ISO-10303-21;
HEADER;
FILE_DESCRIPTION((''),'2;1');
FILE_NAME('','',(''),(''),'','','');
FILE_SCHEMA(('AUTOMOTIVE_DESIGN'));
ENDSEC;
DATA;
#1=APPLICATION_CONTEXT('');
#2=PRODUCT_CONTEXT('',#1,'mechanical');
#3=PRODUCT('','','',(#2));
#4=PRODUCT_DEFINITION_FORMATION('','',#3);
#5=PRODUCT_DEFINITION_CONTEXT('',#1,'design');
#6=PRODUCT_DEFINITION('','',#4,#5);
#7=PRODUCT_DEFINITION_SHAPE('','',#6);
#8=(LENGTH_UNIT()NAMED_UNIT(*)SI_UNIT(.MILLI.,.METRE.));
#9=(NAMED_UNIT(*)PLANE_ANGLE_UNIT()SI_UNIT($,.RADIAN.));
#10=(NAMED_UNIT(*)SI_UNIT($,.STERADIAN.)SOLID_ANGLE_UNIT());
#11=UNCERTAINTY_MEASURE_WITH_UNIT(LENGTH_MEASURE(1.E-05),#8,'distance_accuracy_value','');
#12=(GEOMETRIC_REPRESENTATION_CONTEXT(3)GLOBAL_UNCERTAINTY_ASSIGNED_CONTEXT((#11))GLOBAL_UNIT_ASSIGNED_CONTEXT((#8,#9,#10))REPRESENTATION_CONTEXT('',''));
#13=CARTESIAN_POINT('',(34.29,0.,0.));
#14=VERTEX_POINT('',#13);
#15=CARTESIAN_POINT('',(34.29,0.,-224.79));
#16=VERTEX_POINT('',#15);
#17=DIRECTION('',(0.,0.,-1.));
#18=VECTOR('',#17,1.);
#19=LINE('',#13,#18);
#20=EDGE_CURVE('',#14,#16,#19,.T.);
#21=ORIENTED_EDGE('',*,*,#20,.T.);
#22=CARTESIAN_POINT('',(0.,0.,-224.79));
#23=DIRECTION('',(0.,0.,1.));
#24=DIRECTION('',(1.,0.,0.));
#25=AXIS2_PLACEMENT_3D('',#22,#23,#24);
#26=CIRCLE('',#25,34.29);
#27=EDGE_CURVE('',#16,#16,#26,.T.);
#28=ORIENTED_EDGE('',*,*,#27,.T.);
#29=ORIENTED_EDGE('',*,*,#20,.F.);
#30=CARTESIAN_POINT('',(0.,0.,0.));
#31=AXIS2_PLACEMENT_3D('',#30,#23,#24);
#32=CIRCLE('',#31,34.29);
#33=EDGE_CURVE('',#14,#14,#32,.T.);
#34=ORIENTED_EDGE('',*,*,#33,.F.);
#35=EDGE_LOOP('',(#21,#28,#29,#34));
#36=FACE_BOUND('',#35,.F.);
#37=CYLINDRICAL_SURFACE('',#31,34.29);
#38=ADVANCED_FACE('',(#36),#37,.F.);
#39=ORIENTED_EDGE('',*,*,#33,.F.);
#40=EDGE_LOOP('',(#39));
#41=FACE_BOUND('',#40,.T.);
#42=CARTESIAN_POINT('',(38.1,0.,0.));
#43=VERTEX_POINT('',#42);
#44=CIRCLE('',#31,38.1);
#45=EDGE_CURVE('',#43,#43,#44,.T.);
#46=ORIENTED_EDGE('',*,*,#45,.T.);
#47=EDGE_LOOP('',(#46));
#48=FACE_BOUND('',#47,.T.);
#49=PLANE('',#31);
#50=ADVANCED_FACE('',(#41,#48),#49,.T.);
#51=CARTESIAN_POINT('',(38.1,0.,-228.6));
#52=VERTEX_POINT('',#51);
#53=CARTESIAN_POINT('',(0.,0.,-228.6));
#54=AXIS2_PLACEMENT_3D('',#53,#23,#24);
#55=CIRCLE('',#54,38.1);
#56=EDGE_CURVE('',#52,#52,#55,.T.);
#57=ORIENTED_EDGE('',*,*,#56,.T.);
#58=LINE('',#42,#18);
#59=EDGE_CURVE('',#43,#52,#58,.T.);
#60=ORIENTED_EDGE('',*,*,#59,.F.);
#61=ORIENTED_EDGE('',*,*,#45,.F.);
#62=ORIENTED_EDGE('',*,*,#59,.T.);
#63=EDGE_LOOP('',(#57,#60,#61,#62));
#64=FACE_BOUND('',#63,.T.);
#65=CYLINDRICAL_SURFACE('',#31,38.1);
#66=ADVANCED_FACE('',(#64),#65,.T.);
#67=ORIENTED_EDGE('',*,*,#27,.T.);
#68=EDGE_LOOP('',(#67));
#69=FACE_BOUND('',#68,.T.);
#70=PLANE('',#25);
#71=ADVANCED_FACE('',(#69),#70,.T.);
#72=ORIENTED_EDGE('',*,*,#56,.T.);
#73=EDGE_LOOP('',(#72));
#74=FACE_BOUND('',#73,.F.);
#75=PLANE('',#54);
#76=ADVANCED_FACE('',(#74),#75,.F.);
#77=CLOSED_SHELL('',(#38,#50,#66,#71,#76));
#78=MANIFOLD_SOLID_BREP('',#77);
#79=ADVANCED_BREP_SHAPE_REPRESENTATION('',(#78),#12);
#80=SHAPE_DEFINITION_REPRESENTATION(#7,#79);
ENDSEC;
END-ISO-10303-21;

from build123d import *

# Parameters (mm, degrees)
F0_R     = 38.1
F1_DEPTH = 228.6
F2_T     = -3.81


with BuildPart() as f1:
    # F0 (on Top) → F1 (new body)
    with BuildSketch(Plane.XY):
        Circle(F0_R)
    extrude(amount=-F1_DEPTH)

    # F2
    f2_openings = [f1.faces().sort_by_distance(p)[0] for p in [
        (0, 0, 0),
    ]]
    offset(amount=F2_T, openings=f2_openings)


solid = f1.part
